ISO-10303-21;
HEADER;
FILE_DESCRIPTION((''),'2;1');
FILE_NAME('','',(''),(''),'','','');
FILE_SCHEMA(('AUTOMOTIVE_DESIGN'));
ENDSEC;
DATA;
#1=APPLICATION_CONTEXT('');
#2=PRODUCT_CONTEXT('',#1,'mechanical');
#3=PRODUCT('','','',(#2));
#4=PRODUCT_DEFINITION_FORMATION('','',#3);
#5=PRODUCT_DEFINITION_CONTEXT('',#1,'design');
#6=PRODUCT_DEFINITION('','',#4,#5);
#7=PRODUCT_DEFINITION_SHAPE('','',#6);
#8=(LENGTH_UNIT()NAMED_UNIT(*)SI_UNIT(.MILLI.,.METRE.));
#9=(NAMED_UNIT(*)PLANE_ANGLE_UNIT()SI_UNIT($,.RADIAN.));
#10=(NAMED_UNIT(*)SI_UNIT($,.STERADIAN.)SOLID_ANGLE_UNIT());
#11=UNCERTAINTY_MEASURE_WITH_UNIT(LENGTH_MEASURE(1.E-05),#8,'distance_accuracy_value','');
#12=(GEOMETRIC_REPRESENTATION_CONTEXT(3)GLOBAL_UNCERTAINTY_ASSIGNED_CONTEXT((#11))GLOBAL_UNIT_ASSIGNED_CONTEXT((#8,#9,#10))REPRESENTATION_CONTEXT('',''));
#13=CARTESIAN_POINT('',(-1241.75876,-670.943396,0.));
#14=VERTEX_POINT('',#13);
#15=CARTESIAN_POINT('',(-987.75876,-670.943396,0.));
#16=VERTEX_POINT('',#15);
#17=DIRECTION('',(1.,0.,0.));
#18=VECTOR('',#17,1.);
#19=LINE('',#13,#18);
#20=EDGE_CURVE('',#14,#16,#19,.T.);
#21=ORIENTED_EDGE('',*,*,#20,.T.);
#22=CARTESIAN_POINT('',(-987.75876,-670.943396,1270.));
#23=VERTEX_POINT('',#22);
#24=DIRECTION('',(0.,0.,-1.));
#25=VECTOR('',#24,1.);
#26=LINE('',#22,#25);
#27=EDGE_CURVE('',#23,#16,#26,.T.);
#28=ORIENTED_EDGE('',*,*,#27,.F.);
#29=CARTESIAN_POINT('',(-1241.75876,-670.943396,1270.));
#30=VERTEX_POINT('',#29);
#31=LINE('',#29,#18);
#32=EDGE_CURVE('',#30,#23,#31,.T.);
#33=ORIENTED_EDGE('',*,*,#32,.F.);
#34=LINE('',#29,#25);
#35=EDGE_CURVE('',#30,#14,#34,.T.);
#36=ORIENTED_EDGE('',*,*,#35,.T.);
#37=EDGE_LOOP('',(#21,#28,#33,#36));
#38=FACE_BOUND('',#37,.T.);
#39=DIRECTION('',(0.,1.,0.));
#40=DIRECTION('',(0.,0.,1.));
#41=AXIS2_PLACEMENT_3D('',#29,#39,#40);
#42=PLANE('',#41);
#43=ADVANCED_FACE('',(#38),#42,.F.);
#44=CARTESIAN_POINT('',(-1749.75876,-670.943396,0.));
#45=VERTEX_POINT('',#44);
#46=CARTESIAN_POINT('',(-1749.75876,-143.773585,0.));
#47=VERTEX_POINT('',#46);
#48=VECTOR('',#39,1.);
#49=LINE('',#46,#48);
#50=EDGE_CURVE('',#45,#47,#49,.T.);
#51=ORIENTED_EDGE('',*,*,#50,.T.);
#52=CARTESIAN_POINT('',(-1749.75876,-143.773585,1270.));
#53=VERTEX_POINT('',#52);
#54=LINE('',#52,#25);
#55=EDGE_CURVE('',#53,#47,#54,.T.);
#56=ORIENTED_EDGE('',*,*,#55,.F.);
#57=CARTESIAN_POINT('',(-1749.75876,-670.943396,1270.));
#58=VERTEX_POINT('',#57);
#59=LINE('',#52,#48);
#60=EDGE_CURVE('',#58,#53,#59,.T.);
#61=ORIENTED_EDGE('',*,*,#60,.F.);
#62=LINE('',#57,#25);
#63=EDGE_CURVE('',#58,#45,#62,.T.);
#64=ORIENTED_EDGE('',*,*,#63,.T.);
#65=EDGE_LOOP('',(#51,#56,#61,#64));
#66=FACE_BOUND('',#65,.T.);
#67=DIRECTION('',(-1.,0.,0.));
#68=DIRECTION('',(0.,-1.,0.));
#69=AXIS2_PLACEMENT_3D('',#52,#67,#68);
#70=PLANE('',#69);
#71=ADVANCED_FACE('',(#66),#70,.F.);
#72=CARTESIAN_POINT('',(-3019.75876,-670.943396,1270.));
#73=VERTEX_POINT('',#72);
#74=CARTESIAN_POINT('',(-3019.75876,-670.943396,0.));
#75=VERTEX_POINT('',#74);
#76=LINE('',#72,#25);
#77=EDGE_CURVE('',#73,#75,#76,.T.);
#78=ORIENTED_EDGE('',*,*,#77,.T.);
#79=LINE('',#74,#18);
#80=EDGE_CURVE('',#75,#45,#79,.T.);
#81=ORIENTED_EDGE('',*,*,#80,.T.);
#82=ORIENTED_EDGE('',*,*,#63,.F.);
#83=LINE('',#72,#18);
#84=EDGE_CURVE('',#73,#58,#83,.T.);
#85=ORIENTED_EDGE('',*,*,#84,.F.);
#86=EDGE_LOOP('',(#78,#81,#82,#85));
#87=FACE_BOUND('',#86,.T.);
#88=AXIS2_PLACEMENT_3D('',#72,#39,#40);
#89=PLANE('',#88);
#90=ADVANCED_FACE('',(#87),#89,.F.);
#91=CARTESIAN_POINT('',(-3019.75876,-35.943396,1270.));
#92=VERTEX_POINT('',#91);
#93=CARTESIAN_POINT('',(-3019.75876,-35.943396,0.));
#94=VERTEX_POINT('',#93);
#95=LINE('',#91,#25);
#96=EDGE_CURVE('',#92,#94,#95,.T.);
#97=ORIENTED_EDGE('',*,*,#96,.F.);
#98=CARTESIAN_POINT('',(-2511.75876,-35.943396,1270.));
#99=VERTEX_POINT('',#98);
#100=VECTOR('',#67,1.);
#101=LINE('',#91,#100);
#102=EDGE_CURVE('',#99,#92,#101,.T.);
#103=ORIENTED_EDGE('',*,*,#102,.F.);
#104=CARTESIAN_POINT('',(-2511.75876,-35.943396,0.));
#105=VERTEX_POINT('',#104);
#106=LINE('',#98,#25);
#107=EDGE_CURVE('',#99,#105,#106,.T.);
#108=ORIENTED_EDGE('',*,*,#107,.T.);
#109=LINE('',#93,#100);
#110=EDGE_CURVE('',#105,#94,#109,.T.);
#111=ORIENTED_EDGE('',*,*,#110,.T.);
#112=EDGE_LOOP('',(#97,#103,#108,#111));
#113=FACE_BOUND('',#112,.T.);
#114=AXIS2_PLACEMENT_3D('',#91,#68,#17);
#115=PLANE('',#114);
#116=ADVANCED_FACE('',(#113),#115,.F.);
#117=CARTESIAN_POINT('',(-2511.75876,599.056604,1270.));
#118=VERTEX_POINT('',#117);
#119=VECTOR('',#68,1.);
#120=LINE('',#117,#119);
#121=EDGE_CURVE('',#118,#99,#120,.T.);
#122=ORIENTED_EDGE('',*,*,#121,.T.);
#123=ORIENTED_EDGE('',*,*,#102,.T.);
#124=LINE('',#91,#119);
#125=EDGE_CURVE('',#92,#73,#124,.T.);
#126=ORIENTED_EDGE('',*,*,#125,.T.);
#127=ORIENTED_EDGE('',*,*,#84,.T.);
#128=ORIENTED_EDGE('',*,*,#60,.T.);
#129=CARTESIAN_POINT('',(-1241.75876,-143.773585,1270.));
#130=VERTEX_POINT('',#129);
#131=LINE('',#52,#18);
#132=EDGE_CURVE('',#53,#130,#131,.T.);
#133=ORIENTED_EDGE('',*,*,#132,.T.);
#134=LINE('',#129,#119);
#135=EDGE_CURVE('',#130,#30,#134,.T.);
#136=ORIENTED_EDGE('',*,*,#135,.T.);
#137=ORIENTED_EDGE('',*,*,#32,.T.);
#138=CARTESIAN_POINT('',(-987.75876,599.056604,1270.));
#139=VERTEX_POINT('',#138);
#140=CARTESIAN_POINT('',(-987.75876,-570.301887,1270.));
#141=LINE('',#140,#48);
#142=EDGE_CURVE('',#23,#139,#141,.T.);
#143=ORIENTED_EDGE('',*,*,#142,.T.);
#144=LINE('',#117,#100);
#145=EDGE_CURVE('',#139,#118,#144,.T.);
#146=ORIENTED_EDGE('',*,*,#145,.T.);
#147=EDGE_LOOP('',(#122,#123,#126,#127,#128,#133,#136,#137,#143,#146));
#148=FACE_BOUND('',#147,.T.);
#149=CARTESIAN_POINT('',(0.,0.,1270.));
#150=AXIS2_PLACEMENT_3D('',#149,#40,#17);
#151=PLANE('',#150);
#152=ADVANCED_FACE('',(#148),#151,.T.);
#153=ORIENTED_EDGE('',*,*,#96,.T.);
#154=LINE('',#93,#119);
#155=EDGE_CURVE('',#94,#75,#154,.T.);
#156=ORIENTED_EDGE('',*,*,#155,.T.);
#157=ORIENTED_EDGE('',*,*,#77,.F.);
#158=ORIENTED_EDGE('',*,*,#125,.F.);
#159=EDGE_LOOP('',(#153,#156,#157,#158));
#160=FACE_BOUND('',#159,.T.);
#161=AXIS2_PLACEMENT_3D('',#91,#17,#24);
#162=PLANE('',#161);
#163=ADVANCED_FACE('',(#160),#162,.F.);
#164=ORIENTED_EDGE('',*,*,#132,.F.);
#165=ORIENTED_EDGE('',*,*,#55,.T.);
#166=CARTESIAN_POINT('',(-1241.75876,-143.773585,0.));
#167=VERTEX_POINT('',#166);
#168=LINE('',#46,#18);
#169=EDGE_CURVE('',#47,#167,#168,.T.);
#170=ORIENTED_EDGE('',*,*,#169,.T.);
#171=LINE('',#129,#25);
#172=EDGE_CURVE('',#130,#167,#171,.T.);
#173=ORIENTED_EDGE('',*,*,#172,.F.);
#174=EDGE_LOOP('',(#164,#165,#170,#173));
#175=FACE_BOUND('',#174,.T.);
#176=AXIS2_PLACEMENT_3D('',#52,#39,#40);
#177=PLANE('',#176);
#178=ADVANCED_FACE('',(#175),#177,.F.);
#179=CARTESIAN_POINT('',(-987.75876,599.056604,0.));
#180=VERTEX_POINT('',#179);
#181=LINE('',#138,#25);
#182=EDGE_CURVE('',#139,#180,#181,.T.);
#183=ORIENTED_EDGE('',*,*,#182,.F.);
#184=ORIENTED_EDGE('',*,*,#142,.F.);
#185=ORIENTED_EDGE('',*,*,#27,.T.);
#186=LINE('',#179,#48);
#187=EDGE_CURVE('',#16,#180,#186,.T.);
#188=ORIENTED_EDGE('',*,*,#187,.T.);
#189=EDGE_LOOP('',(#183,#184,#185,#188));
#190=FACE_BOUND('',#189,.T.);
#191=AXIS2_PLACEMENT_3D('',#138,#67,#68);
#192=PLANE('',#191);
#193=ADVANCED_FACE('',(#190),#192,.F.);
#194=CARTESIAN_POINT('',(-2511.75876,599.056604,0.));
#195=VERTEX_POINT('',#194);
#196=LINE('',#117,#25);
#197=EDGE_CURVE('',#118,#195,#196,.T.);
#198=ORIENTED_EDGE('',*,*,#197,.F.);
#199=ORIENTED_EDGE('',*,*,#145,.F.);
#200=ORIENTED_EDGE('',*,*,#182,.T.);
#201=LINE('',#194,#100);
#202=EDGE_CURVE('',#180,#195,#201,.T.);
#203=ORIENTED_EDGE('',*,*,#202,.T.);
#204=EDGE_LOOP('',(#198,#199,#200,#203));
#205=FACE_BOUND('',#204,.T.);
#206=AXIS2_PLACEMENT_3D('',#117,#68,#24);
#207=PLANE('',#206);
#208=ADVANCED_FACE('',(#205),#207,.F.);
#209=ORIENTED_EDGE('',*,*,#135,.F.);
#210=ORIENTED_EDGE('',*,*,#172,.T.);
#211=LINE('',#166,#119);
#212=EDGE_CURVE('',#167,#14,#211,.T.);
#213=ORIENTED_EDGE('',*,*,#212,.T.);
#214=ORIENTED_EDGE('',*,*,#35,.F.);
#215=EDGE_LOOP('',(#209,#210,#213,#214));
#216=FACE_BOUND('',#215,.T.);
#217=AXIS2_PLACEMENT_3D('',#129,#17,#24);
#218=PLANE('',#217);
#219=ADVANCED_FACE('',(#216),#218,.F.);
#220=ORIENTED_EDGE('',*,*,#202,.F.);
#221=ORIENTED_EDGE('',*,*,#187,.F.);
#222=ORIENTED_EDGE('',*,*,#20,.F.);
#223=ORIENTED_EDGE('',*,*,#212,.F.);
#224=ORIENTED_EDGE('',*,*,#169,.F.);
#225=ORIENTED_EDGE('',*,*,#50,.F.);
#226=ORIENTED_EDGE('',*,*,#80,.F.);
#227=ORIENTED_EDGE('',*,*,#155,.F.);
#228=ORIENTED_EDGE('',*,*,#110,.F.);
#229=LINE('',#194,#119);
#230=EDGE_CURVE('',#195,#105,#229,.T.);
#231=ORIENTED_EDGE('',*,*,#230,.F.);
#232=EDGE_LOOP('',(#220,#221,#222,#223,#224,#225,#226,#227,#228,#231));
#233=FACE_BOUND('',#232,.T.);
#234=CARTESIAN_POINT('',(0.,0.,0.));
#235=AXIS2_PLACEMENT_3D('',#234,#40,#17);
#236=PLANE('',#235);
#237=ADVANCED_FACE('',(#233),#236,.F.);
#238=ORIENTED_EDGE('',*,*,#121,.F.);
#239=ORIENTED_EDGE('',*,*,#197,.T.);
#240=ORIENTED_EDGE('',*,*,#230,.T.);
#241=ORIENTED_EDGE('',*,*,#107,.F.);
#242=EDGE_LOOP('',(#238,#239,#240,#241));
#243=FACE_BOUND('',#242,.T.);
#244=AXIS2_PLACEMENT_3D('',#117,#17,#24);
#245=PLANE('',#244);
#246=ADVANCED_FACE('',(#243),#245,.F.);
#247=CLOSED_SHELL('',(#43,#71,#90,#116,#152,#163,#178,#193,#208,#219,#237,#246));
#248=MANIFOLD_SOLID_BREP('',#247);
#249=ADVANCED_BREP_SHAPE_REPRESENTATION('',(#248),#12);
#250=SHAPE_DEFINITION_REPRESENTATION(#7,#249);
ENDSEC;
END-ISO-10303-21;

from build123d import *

# Parameters (mm, degrees)
Y_KSEKLIK_EKSTR_ZYON1_DEPTH = 1270


with BuildPart() as part:
    # Çizim1 → Yükseklik-Ekstrüzyon1 (new body)
    with BuildSketch(Plane.XY):
        Polygon((-1241.758760108, -670.943396226), (-987.758760108, -670.943396226), (-987.758760108, -570.301886792), (-987.758760108, 599.056603774), (-2511.758760108, 599.056603774), (-2511.758760108, -35.943396226), (-3019.758760108, -35.943396226), (-3019.758760108, -670.943396226), (-1749.758760108, -670.943396226), (-1749.758760108, -143.773584906), (-1241.758760108, -143.773584906), align=None)
    extrude(amount=Y_KSEKLIK_EKSTR_ZYON1_DEPTH)


solid = part.part
